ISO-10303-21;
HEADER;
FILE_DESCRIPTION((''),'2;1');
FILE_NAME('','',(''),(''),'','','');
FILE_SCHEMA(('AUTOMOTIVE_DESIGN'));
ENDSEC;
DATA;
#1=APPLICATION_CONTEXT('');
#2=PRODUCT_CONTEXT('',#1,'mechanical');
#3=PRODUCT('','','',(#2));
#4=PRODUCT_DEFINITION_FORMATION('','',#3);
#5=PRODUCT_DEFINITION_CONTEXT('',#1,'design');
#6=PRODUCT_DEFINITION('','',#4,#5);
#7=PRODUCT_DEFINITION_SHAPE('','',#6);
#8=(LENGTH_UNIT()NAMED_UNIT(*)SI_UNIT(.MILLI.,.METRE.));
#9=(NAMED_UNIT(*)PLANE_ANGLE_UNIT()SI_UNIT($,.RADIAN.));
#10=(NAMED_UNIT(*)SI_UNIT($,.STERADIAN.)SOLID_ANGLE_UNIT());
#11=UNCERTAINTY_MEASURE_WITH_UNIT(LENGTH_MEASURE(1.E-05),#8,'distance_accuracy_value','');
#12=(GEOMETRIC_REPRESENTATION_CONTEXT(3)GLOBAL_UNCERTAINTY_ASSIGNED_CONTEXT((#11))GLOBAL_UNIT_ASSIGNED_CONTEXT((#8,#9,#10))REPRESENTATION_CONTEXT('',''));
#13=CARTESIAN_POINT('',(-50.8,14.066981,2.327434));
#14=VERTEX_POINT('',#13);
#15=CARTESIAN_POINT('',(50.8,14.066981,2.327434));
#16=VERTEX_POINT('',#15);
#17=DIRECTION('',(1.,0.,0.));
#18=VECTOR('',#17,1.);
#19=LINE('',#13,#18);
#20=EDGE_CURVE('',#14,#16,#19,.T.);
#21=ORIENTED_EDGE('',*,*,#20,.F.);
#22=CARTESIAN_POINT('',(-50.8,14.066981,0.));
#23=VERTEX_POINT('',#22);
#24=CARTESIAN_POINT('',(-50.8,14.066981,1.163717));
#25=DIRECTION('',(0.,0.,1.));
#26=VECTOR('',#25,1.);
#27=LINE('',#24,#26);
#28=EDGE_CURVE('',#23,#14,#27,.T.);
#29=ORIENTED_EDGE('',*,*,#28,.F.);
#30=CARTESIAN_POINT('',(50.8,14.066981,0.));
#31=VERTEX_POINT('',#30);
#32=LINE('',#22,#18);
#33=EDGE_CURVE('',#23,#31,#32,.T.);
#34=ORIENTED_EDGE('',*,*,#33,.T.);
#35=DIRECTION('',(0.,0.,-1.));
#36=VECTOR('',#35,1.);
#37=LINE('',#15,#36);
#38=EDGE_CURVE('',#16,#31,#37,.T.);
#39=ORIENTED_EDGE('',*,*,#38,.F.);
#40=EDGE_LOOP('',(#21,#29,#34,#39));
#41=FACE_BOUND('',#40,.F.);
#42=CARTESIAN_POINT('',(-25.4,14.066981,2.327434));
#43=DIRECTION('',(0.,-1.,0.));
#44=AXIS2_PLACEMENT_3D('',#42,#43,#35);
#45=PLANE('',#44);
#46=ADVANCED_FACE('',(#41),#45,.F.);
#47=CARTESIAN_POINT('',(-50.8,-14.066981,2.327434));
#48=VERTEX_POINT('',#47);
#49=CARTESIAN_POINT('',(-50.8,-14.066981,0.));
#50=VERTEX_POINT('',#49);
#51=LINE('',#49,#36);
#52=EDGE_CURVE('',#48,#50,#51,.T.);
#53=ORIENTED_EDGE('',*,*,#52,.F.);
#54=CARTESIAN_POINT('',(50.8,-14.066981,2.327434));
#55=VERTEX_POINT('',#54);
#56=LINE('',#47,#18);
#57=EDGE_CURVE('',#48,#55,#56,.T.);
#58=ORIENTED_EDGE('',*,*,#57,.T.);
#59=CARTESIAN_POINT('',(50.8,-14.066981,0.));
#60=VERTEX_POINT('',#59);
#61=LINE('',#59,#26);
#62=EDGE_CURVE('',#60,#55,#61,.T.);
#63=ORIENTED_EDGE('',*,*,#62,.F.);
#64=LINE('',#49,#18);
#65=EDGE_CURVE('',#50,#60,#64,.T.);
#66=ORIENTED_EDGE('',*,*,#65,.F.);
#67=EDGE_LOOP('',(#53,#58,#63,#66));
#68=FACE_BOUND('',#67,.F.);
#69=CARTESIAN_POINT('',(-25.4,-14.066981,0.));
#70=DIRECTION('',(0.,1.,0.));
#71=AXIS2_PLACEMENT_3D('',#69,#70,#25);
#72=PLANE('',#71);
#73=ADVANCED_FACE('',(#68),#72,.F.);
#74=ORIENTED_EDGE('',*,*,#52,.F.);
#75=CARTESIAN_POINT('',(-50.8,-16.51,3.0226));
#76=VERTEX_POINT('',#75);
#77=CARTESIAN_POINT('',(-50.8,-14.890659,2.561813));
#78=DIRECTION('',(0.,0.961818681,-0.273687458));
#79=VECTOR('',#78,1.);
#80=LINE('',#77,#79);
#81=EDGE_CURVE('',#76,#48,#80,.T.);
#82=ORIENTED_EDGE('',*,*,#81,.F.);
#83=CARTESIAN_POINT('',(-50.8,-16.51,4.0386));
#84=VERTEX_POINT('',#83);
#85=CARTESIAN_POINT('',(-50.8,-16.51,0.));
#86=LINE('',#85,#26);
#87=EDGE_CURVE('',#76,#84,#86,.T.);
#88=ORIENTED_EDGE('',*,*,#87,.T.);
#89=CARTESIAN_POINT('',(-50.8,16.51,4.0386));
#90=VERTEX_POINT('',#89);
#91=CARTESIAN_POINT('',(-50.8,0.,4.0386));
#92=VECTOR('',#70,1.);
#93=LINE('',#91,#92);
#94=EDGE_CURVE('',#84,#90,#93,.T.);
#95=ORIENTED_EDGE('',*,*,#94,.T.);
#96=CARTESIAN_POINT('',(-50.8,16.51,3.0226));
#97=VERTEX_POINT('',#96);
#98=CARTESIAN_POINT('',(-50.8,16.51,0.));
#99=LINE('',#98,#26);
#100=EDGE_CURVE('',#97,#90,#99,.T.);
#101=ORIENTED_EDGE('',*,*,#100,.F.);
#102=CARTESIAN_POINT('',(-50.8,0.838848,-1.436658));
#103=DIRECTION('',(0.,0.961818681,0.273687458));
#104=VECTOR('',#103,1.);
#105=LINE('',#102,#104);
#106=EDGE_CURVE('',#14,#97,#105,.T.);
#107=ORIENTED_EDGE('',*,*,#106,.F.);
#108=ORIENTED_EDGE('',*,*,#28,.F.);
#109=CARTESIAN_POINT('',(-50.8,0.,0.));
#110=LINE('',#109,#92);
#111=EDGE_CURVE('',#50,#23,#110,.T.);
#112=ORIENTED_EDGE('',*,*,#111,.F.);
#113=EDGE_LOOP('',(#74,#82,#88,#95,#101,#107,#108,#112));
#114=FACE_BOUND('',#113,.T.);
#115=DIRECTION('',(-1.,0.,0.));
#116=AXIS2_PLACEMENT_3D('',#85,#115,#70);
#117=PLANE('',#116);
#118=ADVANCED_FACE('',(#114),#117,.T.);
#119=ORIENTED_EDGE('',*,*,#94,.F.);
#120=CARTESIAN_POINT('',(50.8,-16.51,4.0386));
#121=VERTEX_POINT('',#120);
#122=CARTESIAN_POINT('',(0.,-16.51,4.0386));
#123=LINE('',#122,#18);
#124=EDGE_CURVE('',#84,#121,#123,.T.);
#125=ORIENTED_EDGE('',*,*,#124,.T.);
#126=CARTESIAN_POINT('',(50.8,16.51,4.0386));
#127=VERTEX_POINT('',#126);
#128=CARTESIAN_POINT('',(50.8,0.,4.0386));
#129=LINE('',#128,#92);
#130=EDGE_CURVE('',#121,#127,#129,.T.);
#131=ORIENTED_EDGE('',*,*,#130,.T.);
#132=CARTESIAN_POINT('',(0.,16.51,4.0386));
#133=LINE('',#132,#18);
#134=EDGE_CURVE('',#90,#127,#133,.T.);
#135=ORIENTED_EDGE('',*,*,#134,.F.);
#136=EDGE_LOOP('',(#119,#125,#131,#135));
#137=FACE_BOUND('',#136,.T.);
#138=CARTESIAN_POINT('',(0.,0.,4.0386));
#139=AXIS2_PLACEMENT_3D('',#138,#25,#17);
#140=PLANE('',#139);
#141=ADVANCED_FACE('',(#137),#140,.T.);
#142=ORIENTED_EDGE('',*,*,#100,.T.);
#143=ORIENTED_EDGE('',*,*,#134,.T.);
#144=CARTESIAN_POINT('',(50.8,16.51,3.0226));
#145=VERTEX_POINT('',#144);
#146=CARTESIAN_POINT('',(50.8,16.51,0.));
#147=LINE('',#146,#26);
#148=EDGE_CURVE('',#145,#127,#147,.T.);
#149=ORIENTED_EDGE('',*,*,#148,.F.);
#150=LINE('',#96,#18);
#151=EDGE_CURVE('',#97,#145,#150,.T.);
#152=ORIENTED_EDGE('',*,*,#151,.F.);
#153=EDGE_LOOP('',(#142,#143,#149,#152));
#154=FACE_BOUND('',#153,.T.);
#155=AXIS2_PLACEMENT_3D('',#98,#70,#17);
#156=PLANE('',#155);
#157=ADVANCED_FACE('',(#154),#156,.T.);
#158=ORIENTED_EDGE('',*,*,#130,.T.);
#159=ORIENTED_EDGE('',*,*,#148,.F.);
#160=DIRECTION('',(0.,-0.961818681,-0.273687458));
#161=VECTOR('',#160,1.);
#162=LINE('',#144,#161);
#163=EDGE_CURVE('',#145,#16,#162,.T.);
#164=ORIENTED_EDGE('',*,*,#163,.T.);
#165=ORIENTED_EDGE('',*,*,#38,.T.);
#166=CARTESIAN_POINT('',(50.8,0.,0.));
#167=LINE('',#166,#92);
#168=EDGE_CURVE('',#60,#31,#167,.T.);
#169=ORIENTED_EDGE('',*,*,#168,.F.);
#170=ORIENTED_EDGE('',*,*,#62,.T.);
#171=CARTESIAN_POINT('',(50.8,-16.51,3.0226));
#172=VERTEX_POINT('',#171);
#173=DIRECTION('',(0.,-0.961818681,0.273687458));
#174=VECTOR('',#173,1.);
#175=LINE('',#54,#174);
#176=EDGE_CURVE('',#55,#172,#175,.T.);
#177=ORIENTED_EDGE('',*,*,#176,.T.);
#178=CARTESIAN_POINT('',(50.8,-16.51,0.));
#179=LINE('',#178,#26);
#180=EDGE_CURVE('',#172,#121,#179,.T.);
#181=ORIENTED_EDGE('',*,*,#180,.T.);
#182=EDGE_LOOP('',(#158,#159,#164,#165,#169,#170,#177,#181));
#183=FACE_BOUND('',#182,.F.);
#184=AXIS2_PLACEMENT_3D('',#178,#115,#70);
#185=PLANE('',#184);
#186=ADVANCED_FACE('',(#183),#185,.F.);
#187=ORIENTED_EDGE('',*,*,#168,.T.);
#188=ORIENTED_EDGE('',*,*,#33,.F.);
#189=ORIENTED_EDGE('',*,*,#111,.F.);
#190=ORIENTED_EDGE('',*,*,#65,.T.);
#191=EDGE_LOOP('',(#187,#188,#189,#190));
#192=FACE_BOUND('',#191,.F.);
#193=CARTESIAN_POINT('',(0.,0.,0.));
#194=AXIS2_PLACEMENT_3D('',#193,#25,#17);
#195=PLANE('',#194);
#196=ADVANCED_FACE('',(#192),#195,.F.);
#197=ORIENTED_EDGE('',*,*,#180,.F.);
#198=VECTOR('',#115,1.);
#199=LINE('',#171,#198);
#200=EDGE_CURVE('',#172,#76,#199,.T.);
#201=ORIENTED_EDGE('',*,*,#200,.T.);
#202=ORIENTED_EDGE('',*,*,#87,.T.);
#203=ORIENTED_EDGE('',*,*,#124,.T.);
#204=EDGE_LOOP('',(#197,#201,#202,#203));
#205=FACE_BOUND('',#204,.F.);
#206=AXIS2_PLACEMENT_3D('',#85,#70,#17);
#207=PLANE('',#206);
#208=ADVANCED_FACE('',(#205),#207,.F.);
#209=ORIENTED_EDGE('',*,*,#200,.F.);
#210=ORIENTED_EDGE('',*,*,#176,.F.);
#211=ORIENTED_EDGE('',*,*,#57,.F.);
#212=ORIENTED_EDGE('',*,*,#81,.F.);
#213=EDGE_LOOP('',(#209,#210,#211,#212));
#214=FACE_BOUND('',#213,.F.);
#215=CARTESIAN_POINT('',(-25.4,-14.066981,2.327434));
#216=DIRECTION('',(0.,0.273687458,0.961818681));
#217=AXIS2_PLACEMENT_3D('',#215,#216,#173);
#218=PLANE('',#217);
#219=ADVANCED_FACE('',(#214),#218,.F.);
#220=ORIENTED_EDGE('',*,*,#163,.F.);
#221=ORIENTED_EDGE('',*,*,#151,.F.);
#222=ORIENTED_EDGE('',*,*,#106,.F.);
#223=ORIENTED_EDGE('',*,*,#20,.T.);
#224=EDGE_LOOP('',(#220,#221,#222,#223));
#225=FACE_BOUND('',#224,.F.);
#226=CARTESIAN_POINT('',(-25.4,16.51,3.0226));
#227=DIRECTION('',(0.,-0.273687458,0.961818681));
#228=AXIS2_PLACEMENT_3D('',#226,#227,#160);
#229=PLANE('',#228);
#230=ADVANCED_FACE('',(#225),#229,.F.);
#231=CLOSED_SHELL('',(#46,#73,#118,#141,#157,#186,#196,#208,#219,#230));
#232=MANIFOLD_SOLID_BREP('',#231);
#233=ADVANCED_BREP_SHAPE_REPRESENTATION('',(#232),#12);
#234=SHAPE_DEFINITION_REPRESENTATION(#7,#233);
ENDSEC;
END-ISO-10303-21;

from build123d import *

# Parameters (mm, degrees)
F0_W     = 101.6
F0_H     = 33.02
F1_DEPTH = 4.0386
F3_DEPTH = 76.2
F4_DEPTH = 38.1
F5_DEPTH = 38.1


with BuildPart() as f1:
    # F0 (on Top) → F1 (new body)
    with BuildSketch(Plane.XY):
        Rectangle(F0_W, F0_H)
    extrude(amount=F1_DEPTH)

    # F2 (on face) → F3 (cut)
    with BuildSketch(Plane.YZ.offset(50.8)):
        Polygon((-16.51, 0), (-14.06698055, 0), (-14.06698055, 2.3274338565), (-16.51, 3.0226), align=None)
        Polygon((16.51, 0), (16.51, 3.0226), (14.06698055, 2.3274338565), (14.06698055, 0), align=None)
    extrude(amount=-F3_DEPTH, mode=Mode.SUBTRACT)

    # F4 (cut): a face of the model
    f4_faces = [f1.faces().sort_by_distance(p)[0] for p in [
        (-25.4, -15.3413966196, 1.345035768),
    ]]
    extrude(f4_faces, amount=-F4_DEPTH, mode=Mode.SUBTRACT)

    # F5 (cut): a face of the model
    f5_faces = [f1.faces().sort_by_distance(p)[0] for p in [
        (-25.4, 15.3413966196, 1.345035768),
    ]]
    extrude(f5_faces, amount=-F5_DEPTH, mode=Mode.SUBTRACT)


solid = f1.part
